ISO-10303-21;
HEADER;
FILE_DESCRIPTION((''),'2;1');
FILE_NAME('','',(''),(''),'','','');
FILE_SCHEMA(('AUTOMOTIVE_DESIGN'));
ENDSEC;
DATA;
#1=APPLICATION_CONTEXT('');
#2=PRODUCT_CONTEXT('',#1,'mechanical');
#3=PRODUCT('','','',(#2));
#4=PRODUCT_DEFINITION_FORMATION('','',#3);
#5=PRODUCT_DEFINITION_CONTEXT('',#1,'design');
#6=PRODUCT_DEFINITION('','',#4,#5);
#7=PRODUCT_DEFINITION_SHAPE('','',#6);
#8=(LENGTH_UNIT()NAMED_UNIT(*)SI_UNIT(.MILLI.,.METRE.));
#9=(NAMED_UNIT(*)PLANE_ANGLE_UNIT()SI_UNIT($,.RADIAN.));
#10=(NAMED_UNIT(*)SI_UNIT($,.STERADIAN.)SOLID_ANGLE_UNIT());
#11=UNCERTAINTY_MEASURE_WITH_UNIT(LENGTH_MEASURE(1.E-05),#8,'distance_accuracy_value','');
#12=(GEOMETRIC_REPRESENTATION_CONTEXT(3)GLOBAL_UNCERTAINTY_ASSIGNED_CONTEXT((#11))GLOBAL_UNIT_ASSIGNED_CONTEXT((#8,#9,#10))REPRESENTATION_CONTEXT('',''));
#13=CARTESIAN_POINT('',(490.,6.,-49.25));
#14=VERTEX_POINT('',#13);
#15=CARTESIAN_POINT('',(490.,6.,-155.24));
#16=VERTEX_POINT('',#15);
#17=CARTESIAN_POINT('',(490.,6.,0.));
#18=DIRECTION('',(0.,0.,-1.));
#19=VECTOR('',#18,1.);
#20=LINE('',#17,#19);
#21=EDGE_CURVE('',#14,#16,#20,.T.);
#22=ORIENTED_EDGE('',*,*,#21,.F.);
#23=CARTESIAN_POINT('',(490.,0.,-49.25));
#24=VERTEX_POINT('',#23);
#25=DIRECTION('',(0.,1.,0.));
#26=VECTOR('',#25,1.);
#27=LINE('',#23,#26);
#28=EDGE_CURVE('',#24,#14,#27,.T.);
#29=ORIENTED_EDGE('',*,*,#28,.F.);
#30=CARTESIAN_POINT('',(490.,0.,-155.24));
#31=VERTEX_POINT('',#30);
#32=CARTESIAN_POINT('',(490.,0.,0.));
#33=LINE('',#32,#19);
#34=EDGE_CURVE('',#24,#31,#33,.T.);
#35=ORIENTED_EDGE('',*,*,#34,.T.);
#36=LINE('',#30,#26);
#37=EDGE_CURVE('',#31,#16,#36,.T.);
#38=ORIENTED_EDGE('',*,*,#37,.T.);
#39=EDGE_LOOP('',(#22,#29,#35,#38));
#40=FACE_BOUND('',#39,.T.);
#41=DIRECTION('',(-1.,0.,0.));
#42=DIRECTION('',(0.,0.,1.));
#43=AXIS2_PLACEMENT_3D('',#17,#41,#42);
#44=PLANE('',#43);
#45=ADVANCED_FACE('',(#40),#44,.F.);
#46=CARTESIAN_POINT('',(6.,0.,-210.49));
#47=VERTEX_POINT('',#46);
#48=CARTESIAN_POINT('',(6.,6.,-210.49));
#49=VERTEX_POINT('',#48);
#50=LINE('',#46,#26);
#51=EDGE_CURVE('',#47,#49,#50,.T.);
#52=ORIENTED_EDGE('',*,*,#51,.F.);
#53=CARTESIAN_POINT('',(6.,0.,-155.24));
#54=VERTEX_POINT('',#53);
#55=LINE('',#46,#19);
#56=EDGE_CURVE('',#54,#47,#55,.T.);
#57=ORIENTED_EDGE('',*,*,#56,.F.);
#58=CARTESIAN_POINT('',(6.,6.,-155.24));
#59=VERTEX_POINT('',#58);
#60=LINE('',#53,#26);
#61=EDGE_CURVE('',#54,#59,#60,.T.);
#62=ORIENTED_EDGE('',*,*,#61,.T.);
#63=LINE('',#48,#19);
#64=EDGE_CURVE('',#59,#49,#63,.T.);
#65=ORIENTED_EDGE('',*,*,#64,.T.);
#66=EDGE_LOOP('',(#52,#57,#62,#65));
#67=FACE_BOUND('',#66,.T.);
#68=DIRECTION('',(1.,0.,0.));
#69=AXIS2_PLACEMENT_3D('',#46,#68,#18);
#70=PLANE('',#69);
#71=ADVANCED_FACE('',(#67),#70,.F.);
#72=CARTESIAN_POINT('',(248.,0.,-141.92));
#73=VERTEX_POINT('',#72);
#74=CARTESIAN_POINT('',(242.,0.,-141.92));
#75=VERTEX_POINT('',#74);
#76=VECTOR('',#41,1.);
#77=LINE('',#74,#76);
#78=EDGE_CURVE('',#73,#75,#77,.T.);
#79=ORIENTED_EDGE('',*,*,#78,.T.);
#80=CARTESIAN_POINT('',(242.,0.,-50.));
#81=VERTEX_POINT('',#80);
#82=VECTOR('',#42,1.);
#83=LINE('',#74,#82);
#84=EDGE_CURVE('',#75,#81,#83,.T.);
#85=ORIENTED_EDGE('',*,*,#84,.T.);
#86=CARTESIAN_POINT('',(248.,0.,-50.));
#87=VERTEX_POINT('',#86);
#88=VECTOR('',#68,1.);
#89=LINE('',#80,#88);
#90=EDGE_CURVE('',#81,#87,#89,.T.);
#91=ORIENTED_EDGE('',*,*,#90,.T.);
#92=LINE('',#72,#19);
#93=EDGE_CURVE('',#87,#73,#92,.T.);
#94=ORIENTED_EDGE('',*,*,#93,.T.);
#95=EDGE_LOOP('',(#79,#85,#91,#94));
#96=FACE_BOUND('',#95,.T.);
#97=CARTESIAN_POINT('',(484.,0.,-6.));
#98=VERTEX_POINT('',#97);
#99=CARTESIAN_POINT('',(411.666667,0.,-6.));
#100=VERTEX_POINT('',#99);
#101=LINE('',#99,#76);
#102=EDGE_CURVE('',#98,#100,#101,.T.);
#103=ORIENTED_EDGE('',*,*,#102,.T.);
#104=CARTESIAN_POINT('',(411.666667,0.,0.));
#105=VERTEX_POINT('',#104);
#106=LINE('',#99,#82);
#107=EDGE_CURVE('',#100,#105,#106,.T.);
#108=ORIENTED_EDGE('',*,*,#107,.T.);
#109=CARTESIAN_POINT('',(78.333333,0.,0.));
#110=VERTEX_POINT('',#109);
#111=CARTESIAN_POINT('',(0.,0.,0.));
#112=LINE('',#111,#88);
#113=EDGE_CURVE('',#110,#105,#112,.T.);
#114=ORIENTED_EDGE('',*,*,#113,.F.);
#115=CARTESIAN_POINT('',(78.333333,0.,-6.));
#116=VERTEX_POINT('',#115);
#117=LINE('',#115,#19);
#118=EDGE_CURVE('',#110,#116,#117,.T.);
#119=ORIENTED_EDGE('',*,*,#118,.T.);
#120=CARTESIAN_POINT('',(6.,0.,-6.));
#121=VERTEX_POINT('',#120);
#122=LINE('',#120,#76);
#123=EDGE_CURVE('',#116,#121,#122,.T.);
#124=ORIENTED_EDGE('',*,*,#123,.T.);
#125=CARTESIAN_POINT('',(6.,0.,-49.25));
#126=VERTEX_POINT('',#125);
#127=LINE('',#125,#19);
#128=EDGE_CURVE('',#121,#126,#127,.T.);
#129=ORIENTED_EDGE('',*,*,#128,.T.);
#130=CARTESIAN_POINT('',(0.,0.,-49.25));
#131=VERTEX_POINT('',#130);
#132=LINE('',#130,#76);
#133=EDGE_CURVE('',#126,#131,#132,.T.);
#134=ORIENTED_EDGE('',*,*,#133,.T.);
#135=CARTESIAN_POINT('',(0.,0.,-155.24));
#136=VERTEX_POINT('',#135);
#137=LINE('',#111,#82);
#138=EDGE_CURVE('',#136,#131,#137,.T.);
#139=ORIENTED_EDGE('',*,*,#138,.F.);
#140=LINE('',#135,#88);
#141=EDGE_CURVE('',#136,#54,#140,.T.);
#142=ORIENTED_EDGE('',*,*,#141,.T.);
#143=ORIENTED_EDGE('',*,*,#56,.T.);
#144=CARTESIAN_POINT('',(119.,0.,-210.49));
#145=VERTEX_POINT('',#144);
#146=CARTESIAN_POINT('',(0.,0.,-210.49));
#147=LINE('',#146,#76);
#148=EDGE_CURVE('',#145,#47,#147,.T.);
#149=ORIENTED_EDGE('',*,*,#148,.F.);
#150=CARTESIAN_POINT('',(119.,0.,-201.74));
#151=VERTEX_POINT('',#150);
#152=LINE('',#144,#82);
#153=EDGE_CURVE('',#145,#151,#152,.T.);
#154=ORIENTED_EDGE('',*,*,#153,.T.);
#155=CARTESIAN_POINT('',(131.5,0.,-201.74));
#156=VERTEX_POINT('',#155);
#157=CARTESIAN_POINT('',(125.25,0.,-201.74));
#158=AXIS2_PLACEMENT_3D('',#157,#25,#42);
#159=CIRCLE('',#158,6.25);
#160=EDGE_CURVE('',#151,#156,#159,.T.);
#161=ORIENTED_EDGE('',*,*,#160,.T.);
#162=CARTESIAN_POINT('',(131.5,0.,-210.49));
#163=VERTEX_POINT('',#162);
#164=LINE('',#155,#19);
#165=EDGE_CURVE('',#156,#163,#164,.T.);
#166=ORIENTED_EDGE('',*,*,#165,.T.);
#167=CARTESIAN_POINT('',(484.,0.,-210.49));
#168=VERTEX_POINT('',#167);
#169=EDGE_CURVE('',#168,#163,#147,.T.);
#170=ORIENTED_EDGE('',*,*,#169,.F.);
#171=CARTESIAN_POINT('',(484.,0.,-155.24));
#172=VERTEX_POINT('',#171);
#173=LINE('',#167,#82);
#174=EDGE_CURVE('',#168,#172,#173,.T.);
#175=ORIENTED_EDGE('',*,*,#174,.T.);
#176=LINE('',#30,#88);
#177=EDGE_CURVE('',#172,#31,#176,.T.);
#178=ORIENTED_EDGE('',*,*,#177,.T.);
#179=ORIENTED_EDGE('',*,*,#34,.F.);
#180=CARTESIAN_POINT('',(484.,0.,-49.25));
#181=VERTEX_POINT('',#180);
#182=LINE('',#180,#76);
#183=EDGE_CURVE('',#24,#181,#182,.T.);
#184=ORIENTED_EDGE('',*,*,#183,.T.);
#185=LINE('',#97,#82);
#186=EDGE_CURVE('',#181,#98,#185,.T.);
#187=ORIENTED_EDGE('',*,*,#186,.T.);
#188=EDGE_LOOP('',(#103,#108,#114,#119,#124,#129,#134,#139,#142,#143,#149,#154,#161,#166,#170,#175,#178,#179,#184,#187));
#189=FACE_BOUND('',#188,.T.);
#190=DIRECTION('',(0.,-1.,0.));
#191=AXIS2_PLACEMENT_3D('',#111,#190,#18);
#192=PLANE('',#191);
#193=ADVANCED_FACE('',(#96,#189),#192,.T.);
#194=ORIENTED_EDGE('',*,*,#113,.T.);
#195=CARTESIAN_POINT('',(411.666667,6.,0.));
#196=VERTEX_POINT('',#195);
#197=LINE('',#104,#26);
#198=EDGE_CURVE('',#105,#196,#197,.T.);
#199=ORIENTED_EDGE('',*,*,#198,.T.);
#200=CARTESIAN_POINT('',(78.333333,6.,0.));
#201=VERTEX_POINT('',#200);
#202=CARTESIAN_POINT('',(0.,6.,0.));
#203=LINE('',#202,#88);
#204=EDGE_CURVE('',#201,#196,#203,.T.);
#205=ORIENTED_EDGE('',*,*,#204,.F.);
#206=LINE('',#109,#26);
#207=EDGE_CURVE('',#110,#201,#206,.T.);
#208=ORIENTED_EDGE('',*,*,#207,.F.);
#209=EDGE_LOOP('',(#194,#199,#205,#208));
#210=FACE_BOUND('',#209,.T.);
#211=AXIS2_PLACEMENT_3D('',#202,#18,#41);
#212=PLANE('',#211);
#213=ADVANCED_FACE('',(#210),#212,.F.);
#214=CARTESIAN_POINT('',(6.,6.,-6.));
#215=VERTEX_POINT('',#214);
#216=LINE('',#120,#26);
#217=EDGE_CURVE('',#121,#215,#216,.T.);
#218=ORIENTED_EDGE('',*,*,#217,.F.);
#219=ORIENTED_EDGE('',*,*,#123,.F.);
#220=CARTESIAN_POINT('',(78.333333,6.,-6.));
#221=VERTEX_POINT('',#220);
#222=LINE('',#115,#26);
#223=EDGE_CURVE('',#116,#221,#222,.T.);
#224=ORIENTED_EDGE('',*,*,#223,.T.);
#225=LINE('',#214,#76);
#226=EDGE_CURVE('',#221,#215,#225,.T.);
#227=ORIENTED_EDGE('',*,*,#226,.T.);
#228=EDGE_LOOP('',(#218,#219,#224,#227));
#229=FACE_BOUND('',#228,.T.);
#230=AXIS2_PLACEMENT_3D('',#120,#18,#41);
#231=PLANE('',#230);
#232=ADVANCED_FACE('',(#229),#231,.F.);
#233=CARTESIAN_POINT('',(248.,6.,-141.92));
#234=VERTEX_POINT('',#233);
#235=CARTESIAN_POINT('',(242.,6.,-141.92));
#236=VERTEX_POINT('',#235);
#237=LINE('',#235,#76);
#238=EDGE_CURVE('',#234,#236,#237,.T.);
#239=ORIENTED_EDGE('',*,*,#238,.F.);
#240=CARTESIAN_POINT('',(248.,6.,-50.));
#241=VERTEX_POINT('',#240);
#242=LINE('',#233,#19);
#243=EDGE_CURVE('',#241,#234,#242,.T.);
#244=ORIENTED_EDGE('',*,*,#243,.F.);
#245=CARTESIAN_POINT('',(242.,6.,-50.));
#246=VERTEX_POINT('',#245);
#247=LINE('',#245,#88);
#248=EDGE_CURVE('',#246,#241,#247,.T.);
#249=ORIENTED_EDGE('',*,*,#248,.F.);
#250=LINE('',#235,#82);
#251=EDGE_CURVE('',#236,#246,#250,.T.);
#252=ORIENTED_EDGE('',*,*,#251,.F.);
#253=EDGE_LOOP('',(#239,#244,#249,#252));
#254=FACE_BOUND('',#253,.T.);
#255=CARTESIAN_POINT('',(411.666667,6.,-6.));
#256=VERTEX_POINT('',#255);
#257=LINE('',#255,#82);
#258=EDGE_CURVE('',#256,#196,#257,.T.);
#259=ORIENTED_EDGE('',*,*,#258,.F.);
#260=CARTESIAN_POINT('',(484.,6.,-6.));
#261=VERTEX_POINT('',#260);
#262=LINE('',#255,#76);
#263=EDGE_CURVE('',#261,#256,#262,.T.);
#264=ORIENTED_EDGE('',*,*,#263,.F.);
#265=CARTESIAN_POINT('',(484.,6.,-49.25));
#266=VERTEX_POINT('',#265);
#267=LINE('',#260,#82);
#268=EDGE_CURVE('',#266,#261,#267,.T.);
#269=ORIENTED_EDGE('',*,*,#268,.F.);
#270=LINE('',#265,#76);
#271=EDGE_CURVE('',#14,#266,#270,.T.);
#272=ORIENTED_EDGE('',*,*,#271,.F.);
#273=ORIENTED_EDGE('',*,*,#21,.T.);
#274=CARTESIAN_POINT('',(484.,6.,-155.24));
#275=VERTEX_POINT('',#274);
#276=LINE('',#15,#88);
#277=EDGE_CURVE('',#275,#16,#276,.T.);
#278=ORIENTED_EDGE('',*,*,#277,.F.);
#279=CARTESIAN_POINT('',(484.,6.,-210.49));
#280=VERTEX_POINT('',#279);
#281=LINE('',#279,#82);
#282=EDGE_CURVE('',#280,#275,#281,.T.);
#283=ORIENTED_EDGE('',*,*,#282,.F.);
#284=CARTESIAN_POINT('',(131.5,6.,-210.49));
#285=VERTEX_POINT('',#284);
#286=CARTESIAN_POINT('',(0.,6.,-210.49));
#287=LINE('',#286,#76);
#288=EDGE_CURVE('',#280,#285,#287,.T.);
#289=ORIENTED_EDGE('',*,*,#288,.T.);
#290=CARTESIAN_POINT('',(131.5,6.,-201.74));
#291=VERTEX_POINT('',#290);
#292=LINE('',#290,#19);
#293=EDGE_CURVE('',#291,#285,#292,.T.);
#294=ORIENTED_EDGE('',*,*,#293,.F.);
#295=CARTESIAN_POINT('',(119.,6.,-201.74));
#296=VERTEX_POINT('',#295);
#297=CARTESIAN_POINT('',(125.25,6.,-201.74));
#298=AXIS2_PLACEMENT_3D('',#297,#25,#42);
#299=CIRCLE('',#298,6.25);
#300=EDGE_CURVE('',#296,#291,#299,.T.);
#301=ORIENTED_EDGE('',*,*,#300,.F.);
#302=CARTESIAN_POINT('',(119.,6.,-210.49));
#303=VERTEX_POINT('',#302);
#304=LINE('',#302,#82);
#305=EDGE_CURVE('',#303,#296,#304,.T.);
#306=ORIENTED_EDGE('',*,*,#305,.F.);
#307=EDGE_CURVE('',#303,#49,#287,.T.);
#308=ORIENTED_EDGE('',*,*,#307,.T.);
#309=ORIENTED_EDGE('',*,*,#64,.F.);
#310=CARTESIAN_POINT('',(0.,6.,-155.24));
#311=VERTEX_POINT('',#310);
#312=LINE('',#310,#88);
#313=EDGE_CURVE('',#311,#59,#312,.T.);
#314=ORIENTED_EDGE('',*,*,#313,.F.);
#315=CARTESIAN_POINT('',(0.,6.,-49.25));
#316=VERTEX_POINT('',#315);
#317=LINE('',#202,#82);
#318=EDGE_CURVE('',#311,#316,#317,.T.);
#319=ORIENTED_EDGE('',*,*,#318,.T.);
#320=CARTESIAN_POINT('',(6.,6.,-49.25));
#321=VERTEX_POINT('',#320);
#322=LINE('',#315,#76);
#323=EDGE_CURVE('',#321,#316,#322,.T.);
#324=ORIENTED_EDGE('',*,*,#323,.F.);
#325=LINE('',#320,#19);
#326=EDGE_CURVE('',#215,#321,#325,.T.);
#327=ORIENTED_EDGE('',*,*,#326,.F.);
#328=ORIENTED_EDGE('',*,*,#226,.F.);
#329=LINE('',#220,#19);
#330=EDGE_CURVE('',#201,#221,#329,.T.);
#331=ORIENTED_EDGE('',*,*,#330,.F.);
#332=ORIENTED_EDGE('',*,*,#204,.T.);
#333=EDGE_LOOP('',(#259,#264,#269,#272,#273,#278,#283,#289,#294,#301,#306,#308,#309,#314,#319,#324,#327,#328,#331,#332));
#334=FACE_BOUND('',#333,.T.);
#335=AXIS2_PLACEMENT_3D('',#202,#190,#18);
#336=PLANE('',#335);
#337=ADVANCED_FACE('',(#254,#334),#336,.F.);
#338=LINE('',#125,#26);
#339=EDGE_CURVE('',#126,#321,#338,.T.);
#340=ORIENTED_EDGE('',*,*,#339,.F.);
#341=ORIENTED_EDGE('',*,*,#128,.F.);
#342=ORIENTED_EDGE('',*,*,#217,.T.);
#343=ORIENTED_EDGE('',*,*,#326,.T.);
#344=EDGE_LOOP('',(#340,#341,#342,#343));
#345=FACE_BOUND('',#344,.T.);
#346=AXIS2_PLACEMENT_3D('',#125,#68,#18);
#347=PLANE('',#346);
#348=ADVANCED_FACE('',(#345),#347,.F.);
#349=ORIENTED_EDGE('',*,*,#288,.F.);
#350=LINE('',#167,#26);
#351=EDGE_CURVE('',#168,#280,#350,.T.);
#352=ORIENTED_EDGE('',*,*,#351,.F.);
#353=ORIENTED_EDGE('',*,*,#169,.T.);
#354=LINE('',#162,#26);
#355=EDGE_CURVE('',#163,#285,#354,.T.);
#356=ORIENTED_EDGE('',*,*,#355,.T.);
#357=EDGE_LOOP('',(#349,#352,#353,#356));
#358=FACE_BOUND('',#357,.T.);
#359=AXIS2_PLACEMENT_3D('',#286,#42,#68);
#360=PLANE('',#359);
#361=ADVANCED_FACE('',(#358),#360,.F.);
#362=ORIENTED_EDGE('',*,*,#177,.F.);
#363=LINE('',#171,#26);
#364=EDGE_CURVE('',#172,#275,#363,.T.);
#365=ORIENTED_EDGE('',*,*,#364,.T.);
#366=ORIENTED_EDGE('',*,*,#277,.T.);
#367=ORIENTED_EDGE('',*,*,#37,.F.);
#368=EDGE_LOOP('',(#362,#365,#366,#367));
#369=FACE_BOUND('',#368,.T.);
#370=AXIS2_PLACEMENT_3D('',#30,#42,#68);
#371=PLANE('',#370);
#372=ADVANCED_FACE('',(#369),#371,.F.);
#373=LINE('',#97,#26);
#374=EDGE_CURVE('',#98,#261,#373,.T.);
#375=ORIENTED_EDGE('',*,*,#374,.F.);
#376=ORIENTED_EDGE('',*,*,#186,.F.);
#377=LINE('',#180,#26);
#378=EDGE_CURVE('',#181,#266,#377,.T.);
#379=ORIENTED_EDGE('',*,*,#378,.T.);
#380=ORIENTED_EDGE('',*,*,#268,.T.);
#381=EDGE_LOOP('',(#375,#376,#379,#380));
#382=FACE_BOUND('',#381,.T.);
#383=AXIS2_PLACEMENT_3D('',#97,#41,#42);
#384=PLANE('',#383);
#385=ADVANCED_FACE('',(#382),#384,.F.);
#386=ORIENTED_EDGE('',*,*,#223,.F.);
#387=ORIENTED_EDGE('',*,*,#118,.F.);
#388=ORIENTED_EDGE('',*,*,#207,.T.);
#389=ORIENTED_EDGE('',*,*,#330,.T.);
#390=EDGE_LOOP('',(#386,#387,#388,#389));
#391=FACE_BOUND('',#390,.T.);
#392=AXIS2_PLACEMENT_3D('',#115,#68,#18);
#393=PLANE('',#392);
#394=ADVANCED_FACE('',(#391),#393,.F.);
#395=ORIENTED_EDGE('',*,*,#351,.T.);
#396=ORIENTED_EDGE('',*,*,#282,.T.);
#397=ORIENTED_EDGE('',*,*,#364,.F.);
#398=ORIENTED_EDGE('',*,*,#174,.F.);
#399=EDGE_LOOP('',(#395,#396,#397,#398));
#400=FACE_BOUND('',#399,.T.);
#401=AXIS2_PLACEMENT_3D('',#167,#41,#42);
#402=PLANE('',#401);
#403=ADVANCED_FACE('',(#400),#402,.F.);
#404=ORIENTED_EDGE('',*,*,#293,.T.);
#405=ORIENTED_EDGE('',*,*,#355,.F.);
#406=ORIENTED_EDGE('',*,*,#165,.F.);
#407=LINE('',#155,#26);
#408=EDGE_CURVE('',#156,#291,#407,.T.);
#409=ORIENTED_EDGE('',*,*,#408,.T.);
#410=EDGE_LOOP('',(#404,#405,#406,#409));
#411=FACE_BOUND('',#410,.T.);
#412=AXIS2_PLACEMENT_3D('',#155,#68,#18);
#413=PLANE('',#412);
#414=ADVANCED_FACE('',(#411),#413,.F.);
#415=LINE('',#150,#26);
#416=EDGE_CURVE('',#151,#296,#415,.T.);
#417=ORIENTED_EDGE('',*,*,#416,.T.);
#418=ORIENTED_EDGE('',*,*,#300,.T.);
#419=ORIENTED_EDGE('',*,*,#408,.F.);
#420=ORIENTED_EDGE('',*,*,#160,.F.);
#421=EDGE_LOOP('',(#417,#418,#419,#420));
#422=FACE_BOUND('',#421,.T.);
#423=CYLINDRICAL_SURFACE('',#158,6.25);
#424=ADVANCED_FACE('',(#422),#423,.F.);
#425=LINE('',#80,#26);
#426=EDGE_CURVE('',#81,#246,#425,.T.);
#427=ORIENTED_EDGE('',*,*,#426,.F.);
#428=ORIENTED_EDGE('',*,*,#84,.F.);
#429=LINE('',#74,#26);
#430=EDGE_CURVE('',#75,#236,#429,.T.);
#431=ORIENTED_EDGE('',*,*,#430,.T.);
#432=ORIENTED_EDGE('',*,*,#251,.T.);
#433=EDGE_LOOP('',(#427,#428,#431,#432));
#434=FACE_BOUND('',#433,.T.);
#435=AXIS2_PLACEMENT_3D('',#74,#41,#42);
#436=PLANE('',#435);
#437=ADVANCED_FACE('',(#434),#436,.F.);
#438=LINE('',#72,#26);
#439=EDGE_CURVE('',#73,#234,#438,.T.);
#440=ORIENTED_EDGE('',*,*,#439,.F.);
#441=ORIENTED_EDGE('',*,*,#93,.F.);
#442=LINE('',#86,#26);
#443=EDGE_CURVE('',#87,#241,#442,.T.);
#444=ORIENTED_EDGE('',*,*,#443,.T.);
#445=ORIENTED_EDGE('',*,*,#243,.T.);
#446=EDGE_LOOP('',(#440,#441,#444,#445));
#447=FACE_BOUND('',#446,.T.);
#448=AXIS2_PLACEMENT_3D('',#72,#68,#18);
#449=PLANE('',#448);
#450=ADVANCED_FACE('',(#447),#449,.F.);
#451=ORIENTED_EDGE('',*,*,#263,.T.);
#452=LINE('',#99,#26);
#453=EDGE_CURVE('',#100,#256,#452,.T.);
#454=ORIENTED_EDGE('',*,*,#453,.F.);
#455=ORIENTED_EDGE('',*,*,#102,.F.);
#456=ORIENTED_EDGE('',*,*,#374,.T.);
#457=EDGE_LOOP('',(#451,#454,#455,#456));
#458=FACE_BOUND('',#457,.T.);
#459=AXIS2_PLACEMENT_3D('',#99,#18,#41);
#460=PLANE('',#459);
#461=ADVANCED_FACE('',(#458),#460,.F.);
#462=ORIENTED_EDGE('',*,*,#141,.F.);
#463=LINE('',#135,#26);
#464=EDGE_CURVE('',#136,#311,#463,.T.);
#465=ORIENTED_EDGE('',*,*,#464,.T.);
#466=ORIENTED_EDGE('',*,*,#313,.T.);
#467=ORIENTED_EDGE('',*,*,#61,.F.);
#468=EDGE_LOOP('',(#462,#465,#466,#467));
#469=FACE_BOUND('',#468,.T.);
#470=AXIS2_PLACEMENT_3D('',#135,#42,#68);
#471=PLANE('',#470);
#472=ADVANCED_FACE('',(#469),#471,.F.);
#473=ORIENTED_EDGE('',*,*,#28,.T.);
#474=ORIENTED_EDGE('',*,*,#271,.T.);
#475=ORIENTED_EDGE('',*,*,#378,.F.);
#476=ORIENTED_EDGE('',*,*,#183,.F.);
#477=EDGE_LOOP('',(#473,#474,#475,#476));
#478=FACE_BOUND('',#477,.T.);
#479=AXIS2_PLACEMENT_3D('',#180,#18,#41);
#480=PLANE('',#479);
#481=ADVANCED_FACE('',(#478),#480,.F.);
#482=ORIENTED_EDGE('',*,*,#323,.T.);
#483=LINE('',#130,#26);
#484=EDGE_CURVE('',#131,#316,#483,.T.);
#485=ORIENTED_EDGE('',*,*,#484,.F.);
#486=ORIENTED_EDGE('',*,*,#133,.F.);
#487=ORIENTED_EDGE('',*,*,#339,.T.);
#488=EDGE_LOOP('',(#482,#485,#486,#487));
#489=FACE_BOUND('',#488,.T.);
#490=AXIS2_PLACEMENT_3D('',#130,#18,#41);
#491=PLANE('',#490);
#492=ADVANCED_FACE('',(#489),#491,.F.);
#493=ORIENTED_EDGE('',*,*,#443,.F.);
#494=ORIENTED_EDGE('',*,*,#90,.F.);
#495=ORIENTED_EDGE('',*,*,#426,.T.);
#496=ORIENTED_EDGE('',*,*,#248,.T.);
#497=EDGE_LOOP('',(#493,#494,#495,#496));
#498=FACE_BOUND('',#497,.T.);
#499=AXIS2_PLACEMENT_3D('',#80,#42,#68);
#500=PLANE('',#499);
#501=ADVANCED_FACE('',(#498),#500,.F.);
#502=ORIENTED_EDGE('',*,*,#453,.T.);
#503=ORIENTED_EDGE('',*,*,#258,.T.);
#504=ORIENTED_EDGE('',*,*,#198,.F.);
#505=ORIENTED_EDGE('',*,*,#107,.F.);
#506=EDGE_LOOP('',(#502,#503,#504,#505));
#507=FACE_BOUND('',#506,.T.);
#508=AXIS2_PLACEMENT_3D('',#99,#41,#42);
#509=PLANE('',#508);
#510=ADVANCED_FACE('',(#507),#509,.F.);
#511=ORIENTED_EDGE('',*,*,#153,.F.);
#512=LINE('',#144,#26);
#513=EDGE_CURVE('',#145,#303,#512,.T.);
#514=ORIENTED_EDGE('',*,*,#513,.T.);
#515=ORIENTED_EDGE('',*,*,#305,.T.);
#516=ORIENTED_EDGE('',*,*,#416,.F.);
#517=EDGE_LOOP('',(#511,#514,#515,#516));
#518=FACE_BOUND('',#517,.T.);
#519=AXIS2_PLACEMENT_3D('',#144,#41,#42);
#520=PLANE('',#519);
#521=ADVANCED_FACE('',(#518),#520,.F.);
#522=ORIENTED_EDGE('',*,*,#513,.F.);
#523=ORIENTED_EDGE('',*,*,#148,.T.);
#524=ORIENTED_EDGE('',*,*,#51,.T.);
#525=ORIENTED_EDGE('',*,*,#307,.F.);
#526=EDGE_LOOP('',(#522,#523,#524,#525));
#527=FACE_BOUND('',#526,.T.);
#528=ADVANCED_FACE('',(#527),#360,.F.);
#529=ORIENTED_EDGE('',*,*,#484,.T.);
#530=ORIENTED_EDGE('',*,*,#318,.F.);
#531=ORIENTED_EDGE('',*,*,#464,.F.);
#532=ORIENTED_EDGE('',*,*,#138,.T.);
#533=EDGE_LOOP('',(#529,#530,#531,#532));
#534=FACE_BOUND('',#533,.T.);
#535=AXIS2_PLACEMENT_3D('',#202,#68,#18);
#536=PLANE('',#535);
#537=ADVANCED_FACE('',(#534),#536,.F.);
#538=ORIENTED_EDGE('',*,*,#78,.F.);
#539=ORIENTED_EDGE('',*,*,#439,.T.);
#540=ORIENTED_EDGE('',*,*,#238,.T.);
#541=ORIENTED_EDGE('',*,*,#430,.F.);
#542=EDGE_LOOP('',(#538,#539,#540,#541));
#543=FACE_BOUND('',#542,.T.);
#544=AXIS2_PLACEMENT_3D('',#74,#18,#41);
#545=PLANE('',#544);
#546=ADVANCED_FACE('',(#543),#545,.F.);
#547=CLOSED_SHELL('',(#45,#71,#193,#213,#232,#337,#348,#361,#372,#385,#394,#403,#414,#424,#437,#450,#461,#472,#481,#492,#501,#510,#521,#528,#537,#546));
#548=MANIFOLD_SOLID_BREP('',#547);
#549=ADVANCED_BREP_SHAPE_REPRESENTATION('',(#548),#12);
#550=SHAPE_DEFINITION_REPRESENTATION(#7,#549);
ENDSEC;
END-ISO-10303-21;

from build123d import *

# Parameters (mm, degrees)
SKETCH1_W           = 490
SKETCH1_H           = 210.49
BOSS_EXTRUDE1_DEPTH = 6
SKETCH2_W           = 6
SKETCH2_H           = 55.25
CUT_EXTRUDE1_DEPTH  = 534.331079256
SKETCH3_W           = 6
SKETCH3_H           = 91.92
CUT_EXTRUDE2_DEPTH  = 534.331079256
CUT_EXTRUDE3_DEPTH  = 534.331079256


with BuildPart() as part:
    # Sketch1 → Boss-Extrude1 (new body)
    with BuildSketch(Plane(origin=(0, 0, 0), x_dir=(1, 0, 0), z_dir=(0, 1, 0))):
        with Locations((245, 105.245)):
            Rectangle(SKETCH1_W, SKETCH1_H)
    extrude(amount=BOSS_EXTRUDE1_DEPTH)

    # Sketch2 → Cut-Extrude1 (cut, through all)
    with BuildSketch(Plane(origin=(0, 6, 0), x_dir=(1, 0, 0), z_dir=(0, 1, 0))):
        Polygon((411.666666663, 6), (411.666666663, 0), (490, 0), (490, 49.25), (484, 49.25), (484, 6), align=None)
        Polygon((0, 49.25), (0, 0), (78.33333333, 0), (78.33333333, 6), (6, 6), (6, 49.25), align=None)
        with Locations((487, 182.865)):
            Rectangle(SKETCH2_W, SKETCH2_H)
        with Locations((3, 182.865)):
            Rectangle(SKETCH2_W, SKETCH2_H)
    extrude(amount=-CUT_EXTRUDE1_DEPTH, mode=Mode.SUBTRACT)

    # Sketch3 → Cut-Extrude2 (cut, through all)
    with BuildSketch(Plane(origin=(0, 6, 0), x_dir=(1, 0, 0), z_dir=(0, 1, 0))):
        with Locations((245, 95.96)):
            Rectangle(SKETCH3_W, SKETCH3_H)
    extrude(amount=-CUT_EXTRUDE2_DEPTH, mode=Mode.SUBTRACT)

    # Sketch4 → Cut-Extrude3 (cut, through all)
    with BuildSketch(Plane(origin=(0, 6, 0), x_dir=(1, 0, 0), z_dir=(0, 1, 0))):
        with BuildLine():
            Line((119, 210.49), (119, 201.74))
            ThreePointArc((119, 201.74), (125.25, 195.49), (131.5, 201.74))
            Line((131.5, 201.74), (131.5, 210.49))
            Line((131.5, 210.49), (119, 210.49))
        make_face()
    extrude(amount=-CUT_EXTRUDE3_DEPTH, mode=Mode.SUBTRACT)


solid = part.part
